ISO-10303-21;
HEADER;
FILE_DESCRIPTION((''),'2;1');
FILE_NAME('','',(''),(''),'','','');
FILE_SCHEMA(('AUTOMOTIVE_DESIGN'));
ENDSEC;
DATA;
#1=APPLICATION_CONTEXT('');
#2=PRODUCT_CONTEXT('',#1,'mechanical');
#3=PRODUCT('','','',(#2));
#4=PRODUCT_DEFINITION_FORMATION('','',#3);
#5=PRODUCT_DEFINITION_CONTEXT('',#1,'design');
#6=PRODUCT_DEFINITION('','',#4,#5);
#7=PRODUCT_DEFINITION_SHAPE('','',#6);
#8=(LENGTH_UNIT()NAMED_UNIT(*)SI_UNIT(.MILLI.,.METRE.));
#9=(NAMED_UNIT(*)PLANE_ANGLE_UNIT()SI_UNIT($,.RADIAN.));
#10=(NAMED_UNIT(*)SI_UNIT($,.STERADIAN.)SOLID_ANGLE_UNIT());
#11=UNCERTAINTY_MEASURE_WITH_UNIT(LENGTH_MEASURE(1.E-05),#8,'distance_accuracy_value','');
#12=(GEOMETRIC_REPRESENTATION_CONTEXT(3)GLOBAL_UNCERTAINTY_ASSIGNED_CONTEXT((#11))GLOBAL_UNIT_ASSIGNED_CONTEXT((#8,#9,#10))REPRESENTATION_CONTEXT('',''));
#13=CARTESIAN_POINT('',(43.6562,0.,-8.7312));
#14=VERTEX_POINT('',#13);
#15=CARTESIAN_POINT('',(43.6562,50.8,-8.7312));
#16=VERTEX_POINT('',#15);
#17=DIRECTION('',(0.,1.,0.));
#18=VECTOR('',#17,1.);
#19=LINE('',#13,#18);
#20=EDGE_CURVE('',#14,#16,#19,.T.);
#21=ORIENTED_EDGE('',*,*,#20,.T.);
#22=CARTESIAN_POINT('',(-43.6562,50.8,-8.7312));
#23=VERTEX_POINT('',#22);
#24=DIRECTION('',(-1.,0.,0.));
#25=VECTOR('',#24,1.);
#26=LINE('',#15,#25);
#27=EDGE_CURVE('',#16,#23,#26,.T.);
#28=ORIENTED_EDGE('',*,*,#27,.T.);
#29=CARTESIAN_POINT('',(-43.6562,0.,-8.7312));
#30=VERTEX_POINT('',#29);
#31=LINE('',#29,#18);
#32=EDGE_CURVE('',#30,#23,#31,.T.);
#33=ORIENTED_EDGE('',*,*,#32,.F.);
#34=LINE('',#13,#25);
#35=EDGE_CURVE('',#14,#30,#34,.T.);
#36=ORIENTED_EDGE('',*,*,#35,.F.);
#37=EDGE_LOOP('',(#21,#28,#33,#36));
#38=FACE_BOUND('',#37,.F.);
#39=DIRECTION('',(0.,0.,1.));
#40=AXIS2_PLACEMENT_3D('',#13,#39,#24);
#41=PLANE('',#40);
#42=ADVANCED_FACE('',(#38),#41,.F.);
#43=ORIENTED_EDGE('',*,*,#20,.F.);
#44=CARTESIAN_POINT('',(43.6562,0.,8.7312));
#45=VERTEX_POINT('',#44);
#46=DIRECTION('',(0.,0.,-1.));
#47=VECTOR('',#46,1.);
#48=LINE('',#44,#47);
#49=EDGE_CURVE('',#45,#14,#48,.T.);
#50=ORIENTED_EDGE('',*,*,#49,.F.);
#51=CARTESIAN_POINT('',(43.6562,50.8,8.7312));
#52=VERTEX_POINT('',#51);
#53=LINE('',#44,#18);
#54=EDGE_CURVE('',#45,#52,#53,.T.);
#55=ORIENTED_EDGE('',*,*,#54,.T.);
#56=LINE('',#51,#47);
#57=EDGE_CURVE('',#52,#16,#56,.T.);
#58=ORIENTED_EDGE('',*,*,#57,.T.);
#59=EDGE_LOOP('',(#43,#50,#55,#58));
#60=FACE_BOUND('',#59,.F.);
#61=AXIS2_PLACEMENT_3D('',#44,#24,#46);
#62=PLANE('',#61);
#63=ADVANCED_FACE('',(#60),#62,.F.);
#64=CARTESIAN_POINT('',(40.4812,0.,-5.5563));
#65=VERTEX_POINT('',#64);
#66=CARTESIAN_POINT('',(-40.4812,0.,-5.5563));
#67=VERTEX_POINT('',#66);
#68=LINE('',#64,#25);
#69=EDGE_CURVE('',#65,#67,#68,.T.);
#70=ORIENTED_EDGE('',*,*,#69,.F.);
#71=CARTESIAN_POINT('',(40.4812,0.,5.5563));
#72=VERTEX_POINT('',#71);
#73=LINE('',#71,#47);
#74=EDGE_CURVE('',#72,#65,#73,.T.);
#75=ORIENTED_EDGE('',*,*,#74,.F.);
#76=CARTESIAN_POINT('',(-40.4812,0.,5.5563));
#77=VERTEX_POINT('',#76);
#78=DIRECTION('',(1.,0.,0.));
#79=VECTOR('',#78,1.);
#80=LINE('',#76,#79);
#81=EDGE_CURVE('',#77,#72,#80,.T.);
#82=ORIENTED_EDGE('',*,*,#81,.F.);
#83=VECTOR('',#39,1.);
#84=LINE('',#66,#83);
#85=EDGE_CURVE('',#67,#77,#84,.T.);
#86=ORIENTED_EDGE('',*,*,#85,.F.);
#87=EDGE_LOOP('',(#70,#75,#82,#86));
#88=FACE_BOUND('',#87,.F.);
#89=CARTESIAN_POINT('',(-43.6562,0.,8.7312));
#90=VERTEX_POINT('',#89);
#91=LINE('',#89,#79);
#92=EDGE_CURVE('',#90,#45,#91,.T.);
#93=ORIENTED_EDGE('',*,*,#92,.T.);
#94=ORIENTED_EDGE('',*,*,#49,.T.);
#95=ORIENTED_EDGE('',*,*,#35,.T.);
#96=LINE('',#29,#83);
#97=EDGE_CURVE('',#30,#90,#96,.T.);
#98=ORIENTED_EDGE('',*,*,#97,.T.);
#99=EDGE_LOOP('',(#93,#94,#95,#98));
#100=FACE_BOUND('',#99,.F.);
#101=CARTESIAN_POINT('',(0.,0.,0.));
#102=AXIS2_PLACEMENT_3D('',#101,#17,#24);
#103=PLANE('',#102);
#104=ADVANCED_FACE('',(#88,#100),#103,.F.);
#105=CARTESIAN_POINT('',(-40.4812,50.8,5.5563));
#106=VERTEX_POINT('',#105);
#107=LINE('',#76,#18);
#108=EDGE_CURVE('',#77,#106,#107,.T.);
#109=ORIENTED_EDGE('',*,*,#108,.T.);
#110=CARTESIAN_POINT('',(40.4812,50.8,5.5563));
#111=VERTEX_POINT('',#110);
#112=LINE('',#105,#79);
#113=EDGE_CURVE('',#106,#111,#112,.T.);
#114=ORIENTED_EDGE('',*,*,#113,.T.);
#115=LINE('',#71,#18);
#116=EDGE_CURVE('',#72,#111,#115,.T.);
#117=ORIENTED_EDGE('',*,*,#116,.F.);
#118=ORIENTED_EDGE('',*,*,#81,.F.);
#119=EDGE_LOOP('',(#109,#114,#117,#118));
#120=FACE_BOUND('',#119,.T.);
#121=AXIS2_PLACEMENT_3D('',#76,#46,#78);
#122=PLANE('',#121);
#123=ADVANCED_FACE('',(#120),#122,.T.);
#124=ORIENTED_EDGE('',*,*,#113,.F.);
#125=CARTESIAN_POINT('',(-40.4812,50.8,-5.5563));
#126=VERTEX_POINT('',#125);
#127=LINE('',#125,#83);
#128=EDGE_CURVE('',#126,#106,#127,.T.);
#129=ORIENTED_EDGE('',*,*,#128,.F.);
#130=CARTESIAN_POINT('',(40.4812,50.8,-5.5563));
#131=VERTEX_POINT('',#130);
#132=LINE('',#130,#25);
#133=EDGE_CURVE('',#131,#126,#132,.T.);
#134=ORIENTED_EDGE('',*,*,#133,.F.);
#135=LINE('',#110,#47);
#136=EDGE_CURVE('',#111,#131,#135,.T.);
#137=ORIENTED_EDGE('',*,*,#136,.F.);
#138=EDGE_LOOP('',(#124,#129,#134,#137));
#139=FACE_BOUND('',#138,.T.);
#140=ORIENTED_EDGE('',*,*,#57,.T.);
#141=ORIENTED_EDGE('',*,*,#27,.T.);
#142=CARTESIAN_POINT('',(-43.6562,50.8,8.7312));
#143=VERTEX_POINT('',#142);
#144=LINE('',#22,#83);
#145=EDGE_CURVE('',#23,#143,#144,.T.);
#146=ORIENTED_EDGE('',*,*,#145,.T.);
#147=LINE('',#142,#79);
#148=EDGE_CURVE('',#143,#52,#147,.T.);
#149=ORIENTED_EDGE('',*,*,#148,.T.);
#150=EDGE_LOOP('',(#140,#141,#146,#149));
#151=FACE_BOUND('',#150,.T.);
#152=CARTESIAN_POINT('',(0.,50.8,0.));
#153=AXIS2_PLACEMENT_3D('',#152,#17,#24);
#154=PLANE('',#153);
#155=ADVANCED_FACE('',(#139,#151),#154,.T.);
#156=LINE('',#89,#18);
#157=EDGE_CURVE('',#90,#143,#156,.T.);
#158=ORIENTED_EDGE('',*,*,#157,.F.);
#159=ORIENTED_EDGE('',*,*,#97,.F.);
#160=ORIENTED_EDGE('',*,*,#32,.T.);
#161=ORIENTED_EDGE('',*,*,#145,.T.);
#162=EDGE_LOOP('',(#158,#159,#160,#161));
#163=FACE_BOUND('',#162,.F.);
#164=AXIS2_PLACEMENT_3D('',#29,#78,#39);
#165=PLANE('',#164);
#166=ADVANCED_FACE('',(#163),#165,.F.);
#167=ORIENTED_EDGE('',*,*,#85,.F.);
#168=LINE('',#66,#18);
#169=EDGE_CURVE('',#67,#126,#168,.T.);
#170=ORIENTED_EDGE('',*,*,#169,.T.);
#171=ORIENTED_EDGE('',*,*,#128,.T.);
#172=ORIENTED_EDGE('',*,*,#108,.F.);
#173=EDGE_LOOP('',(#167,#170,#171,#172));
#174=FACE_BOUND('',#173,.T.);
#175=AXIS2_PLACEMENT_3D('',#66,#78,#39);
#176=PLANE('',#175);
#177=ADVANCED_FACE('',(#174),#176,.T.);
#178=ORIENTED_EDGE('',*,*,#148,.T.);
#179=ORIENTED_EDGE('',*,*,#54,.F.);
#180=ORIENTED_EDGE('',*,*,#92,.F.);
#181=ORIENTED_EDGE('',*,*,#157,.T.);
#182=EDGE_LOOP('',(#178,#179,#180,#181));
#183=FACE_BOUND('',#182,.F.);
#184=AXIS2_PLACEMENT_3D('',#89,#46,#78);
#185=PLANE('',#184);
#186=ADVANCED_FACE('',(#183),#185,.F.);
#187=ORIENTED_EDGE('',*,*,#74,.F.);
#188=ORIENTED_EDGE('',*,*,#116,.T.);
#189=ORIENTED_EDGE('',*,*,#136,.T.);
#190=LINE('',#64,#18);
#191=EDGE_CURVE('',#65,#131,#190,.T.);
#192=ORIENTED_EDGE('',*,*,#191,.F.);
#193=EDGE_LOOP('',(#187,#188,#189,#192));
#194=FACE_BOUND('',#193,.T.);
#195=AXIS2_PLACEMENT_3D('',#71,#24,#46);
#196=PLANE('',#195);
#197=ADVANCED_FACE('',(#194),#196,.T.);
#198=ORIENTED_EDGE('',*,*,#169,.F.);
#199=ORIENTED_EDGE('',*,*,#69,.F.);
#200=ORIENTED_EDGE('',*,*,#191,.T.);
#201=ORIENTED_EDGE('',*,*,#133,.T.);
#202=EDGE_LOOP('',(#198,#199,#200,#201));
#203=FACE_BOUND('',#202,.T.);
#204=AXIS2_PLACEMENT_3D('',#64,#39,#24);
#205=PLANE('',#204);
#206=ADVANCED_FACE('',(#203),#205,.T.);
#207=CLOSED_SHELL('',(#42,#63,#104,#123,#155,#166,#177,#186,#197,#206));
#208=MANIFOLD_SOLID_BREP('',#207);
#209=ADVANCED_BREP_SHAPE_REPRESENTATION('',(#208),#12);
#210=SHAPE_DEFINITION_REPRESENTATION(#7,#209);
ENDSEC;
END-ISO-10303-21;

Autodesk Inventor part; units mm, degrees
ref_plane "YZ Plane" through (0, 0, 0) normal (1, 0, 0) x (0, 1, 0)
ref_plane "XZ Plane" through (0, 0, 0) normal (0, 1, 0) x (-1, 0, 0)
ref_plane "XY Plane" through (0, 0, 0) normal (0, 0, 1) x (1, 0, 0)
sketch "Sketch1" plane through (0, 0, 0) normal (0, 1, 0) x (-1, 0, 0)
  line L0 (-43.6562, 8.7312) -> (-43.6562, -8.7312)
  line L1 (-43.6562, -8.7312) -> (43.6562, -8.7312)
  line L2 (43.6562, -8.7312) -> (43.6562, 8.7312)
  line L3 (43.6562, 8.7312) -> (-43.6562, 8.7312)
  line L4 (-43.6562, 8.7312) -> (43.6562, -8.7312) construction
  line L5 (-43.6562, -8.7312) -> (43.6562, 8.7312) construction
  line L6 (-40.4812, 5.5563) -> (-40.4812, -5.5563)
  line L7 (-40.4812, -5.5563) -> (40.4812, -5.5563)
  line L8 (40.4812, -5.5563) -> (40.4812, 5.5563)
  line L9 (40.4812, 5.5563) -> (-40.4812, 5.5563)
  line L10 (-40.4812, 5.5563) -> (40.4812, -5.5563) construction
  line L11 (-40.4812, -5.5563) -> (40.4812, 5.5563) construction
  point P0 (0, 0)
  dimension "d0" = 17.4625
  dimension "d1" = 87.3125
  dimension "d2" = 3.175
  dimension "d3" = 3.175
extrude "Extrusion1" add sketch "Sketch1" along normal blind 50.8
properties part number "spacer-0_6875x3_4375"
